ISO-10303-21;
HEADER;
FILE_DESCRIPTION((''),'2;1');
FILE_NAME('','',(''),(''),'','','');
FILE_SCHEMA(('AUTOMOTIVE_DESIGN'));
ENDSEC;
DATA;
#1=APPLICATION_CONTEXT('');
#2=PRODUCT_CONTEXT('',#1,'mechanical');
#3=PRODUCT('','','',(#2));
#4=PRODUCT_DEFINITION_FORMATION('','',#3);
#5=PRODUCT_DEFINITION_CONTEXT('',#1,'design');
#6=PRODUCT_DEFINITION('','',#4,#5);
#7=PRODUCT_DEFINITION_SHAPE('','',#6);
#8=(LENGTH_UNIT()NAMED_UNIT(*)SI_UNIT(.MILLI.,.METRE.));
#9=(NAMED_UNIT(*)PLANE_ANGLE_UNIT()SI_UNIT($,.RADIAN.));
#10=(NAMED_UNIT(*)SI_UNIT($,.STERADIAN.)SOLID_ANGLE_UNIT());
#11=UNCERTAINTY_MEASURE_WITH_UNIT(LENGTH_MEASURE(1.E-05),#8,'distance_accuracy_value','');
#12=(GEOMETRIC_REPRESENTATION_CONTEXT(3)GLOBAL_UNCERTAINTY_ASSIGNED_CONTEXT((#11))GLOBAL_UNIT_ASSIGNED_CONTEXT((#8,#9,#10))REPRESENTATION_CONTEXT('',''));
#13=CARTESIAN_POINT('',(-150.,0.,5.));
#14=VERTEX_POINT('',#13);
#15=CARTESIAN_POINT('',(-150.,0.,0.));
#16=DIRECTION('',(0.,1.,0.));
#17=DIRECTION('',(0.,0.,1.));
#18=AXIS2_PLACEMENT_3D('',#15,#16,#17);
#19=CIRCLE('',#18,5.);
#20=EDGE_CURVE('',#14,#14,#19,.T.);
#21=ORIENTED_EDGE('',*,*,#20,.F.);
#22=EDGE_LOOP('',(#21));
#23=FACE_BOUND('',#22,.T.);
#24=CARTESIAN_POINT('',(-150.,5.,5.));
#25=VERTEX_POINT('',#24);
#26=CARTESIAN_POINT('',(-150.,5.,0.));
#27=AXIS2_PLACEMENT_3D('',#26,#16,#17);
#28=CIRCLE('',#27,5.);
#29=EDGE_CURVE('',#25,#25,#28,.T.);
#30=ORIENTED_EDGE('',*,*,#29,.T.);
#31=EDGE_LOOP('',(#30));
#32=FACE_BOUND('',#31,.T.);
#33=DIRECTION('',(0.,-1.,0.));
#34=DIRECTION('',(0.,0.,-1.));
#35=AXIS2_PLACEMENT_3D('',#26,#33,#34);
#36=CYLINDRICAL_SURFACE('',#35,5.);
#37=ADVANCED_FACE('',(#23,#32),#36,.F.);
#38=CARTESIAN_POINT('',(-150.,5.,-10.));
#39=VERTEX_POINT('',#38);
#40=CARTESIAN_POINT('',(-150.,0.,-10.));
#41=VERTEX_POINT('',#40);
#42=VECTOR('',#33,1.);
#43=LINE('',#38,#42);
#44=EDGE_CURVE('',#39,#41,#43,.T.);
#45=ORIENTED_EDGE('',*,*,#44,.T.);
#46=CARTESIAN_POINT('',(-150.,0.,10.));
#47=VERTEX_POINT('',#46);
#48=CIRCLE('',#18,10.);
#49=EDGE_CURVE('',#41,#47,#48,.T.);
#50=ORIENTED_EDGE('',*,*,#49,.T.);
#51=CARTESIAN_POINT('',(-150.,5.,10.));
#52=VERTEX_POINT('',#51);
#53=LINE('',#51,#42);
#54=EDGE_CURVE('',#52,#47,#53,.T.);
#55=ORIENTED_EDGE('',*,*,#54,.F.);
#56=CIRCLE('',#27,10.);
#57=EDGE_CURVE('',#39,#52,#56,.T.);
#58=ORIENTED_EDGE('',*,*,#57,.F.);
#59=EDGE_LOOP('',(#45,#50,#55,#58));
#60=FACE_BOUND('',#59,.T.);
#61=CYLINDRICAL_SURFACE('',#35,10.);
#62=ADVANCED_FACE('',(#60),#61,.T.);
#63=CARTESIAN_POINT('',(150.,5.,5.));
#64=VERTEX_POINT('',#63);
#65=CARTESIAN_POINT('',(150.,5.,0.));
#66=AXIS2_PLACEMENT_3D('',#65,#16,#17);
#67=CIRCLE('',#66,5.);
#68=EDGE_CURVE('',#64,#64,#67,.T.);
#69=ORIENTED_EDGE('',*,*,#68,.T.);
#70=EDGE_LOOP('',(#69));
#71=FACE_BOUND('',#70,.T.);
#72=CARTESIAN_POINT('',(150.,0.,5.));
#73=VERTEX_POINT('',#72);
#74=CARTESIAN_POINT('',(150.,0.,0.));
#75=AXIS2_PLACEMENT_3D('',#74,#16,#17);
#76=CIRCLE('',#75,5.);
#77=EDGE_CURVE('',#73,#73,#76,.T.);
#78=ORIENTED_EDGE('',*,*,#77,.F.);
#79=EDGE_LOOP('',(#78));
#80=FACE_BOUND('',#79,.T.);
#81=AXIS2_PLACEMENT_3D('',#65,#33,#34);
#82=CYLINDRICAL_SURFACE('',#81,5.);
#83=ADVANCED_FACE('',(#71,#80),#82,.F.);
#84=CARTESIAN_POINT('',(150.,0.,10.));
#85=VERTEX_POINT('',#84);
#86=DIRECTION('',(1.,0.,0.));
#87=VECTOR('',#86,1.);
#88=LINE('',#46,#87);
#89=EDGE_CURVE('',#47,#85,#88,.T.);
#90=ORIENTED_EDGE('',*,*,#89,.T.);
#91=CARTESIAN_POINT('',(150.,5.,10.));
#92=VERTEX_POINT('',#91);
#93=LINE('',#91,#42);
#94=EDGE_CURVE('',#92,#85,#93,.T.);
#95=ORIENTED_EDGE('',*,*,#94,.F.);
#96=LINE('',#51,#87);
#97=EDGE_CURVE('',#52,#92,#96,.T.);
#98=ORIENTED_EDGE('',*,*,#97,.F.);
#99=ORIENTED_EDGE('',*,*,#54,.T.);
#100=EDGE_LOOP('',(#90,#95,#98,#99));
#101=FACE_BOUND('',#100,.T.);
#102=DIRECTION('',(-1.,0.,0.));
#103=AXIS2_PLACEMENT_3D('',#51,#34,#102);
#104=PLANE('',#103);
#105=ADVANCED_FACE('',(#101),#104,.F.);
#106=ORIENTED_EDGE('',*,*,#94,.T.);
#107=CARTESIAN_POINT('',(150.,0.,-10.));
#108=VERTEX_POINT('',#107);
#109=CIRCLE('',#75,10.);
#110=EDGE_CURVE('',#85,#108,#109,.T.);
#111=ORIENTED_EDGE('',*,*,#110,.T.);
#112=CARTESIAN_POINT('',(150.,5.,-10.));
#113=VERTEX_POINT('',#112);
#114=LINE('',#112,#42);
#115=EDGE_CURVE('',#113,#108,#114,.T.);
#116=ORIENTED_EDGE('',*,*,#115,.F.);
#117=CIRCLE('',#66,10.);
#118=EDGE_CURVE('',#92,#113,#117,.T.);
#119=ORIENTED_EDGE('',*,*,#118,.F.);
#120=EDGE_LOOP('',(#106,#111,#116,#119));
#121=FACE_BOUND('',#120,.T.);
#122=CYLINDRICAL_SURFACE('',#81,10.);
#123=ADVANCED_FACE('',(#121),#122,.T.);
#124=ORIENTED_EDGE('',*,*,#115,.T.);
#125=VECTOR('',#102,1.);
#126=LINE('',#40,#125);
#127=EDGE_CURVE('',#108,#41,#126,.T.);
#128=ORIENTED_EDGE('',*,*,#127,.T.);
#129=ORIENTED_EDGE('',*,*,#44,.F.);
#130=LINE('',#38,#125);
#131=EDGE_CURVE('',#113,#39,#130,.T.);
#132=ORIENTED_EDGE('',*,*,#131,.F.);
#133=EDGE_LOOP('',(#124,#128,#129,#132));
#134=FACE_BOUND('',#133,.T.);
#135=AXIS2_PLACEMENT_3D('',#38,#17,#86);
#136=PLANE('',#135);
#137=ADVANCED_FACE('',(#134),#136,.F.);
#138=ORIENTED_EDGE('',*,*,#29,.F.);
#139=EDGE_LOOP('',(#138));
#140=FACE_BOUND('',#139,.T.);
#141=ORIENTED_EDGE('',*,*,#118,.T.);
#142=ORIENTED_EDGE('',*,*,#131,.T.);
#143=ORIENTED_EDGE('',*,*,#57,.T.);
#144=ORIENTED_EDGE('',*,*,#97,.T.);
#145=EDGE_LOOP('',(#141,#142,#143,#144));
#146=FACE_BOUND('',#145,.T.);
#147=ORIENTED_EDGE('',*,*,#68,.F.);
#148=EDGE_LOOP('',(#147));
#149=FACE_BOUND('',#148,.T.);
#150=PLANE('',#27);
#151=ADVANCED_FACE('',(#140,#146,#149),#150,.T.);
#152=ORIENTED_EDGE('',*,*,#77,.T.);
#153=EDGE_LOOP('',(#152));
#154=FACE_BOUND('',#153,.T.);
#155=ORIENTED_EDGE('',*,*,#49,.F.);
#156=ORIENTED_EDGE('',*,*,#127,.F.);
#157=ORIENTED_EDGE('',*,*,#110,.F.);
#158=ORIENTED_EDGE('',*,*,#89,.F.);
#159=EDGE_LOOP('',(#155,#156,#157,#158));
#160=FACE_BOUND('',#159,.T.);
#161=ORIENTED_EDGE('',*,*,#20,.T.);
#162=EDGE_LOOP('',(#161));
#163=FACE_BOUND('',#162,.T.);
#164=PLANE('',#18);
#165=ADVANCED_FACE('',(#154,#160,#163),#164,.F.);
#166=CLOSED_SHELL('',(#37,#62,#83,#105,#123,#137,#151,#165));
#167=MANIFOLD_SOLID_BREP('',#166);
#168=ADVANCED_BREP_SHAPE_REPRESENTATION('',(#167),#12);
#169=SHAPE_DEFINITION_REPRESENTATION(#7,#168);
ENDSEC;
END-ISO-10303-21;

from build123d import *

# Parameters (mm, degrees)
SKETCH1_R           = 5
BOSS_EXTRUDE1_DEPTH = 5


with BuildPart() as part:
    # Sketch1 → Boss-Extrude1 (new body)
    with BuildSketch(Plane(origin=(0, 0, 0), x_dir=(1, 0, 0), z_dir=(0, 1, 0))):
        with BuildLine():
            Line((-150, 10), (150, 10))
            ThreePointArc((150, 10), (160, 0), (150, -10))
            Line((150, -10), (-150, -10))
            ThreePointArc((-150, -10), (-160, 0), (-150, 10))
        make_face()
        with Locations(Location((-150, 0, 0), (0, 0, 270))):
            Circle(SKETCH1_R, mode=Mode.SUBTRACT)
        with Locations(Location((150, 0, 0), (0, 0, 270))):
            Circle(SKETCH1_R, mode=Mode.SUBTRACT)
    extrude(amount=BOSS_EXTRUDE1_DEPTH)


solid = part.part
